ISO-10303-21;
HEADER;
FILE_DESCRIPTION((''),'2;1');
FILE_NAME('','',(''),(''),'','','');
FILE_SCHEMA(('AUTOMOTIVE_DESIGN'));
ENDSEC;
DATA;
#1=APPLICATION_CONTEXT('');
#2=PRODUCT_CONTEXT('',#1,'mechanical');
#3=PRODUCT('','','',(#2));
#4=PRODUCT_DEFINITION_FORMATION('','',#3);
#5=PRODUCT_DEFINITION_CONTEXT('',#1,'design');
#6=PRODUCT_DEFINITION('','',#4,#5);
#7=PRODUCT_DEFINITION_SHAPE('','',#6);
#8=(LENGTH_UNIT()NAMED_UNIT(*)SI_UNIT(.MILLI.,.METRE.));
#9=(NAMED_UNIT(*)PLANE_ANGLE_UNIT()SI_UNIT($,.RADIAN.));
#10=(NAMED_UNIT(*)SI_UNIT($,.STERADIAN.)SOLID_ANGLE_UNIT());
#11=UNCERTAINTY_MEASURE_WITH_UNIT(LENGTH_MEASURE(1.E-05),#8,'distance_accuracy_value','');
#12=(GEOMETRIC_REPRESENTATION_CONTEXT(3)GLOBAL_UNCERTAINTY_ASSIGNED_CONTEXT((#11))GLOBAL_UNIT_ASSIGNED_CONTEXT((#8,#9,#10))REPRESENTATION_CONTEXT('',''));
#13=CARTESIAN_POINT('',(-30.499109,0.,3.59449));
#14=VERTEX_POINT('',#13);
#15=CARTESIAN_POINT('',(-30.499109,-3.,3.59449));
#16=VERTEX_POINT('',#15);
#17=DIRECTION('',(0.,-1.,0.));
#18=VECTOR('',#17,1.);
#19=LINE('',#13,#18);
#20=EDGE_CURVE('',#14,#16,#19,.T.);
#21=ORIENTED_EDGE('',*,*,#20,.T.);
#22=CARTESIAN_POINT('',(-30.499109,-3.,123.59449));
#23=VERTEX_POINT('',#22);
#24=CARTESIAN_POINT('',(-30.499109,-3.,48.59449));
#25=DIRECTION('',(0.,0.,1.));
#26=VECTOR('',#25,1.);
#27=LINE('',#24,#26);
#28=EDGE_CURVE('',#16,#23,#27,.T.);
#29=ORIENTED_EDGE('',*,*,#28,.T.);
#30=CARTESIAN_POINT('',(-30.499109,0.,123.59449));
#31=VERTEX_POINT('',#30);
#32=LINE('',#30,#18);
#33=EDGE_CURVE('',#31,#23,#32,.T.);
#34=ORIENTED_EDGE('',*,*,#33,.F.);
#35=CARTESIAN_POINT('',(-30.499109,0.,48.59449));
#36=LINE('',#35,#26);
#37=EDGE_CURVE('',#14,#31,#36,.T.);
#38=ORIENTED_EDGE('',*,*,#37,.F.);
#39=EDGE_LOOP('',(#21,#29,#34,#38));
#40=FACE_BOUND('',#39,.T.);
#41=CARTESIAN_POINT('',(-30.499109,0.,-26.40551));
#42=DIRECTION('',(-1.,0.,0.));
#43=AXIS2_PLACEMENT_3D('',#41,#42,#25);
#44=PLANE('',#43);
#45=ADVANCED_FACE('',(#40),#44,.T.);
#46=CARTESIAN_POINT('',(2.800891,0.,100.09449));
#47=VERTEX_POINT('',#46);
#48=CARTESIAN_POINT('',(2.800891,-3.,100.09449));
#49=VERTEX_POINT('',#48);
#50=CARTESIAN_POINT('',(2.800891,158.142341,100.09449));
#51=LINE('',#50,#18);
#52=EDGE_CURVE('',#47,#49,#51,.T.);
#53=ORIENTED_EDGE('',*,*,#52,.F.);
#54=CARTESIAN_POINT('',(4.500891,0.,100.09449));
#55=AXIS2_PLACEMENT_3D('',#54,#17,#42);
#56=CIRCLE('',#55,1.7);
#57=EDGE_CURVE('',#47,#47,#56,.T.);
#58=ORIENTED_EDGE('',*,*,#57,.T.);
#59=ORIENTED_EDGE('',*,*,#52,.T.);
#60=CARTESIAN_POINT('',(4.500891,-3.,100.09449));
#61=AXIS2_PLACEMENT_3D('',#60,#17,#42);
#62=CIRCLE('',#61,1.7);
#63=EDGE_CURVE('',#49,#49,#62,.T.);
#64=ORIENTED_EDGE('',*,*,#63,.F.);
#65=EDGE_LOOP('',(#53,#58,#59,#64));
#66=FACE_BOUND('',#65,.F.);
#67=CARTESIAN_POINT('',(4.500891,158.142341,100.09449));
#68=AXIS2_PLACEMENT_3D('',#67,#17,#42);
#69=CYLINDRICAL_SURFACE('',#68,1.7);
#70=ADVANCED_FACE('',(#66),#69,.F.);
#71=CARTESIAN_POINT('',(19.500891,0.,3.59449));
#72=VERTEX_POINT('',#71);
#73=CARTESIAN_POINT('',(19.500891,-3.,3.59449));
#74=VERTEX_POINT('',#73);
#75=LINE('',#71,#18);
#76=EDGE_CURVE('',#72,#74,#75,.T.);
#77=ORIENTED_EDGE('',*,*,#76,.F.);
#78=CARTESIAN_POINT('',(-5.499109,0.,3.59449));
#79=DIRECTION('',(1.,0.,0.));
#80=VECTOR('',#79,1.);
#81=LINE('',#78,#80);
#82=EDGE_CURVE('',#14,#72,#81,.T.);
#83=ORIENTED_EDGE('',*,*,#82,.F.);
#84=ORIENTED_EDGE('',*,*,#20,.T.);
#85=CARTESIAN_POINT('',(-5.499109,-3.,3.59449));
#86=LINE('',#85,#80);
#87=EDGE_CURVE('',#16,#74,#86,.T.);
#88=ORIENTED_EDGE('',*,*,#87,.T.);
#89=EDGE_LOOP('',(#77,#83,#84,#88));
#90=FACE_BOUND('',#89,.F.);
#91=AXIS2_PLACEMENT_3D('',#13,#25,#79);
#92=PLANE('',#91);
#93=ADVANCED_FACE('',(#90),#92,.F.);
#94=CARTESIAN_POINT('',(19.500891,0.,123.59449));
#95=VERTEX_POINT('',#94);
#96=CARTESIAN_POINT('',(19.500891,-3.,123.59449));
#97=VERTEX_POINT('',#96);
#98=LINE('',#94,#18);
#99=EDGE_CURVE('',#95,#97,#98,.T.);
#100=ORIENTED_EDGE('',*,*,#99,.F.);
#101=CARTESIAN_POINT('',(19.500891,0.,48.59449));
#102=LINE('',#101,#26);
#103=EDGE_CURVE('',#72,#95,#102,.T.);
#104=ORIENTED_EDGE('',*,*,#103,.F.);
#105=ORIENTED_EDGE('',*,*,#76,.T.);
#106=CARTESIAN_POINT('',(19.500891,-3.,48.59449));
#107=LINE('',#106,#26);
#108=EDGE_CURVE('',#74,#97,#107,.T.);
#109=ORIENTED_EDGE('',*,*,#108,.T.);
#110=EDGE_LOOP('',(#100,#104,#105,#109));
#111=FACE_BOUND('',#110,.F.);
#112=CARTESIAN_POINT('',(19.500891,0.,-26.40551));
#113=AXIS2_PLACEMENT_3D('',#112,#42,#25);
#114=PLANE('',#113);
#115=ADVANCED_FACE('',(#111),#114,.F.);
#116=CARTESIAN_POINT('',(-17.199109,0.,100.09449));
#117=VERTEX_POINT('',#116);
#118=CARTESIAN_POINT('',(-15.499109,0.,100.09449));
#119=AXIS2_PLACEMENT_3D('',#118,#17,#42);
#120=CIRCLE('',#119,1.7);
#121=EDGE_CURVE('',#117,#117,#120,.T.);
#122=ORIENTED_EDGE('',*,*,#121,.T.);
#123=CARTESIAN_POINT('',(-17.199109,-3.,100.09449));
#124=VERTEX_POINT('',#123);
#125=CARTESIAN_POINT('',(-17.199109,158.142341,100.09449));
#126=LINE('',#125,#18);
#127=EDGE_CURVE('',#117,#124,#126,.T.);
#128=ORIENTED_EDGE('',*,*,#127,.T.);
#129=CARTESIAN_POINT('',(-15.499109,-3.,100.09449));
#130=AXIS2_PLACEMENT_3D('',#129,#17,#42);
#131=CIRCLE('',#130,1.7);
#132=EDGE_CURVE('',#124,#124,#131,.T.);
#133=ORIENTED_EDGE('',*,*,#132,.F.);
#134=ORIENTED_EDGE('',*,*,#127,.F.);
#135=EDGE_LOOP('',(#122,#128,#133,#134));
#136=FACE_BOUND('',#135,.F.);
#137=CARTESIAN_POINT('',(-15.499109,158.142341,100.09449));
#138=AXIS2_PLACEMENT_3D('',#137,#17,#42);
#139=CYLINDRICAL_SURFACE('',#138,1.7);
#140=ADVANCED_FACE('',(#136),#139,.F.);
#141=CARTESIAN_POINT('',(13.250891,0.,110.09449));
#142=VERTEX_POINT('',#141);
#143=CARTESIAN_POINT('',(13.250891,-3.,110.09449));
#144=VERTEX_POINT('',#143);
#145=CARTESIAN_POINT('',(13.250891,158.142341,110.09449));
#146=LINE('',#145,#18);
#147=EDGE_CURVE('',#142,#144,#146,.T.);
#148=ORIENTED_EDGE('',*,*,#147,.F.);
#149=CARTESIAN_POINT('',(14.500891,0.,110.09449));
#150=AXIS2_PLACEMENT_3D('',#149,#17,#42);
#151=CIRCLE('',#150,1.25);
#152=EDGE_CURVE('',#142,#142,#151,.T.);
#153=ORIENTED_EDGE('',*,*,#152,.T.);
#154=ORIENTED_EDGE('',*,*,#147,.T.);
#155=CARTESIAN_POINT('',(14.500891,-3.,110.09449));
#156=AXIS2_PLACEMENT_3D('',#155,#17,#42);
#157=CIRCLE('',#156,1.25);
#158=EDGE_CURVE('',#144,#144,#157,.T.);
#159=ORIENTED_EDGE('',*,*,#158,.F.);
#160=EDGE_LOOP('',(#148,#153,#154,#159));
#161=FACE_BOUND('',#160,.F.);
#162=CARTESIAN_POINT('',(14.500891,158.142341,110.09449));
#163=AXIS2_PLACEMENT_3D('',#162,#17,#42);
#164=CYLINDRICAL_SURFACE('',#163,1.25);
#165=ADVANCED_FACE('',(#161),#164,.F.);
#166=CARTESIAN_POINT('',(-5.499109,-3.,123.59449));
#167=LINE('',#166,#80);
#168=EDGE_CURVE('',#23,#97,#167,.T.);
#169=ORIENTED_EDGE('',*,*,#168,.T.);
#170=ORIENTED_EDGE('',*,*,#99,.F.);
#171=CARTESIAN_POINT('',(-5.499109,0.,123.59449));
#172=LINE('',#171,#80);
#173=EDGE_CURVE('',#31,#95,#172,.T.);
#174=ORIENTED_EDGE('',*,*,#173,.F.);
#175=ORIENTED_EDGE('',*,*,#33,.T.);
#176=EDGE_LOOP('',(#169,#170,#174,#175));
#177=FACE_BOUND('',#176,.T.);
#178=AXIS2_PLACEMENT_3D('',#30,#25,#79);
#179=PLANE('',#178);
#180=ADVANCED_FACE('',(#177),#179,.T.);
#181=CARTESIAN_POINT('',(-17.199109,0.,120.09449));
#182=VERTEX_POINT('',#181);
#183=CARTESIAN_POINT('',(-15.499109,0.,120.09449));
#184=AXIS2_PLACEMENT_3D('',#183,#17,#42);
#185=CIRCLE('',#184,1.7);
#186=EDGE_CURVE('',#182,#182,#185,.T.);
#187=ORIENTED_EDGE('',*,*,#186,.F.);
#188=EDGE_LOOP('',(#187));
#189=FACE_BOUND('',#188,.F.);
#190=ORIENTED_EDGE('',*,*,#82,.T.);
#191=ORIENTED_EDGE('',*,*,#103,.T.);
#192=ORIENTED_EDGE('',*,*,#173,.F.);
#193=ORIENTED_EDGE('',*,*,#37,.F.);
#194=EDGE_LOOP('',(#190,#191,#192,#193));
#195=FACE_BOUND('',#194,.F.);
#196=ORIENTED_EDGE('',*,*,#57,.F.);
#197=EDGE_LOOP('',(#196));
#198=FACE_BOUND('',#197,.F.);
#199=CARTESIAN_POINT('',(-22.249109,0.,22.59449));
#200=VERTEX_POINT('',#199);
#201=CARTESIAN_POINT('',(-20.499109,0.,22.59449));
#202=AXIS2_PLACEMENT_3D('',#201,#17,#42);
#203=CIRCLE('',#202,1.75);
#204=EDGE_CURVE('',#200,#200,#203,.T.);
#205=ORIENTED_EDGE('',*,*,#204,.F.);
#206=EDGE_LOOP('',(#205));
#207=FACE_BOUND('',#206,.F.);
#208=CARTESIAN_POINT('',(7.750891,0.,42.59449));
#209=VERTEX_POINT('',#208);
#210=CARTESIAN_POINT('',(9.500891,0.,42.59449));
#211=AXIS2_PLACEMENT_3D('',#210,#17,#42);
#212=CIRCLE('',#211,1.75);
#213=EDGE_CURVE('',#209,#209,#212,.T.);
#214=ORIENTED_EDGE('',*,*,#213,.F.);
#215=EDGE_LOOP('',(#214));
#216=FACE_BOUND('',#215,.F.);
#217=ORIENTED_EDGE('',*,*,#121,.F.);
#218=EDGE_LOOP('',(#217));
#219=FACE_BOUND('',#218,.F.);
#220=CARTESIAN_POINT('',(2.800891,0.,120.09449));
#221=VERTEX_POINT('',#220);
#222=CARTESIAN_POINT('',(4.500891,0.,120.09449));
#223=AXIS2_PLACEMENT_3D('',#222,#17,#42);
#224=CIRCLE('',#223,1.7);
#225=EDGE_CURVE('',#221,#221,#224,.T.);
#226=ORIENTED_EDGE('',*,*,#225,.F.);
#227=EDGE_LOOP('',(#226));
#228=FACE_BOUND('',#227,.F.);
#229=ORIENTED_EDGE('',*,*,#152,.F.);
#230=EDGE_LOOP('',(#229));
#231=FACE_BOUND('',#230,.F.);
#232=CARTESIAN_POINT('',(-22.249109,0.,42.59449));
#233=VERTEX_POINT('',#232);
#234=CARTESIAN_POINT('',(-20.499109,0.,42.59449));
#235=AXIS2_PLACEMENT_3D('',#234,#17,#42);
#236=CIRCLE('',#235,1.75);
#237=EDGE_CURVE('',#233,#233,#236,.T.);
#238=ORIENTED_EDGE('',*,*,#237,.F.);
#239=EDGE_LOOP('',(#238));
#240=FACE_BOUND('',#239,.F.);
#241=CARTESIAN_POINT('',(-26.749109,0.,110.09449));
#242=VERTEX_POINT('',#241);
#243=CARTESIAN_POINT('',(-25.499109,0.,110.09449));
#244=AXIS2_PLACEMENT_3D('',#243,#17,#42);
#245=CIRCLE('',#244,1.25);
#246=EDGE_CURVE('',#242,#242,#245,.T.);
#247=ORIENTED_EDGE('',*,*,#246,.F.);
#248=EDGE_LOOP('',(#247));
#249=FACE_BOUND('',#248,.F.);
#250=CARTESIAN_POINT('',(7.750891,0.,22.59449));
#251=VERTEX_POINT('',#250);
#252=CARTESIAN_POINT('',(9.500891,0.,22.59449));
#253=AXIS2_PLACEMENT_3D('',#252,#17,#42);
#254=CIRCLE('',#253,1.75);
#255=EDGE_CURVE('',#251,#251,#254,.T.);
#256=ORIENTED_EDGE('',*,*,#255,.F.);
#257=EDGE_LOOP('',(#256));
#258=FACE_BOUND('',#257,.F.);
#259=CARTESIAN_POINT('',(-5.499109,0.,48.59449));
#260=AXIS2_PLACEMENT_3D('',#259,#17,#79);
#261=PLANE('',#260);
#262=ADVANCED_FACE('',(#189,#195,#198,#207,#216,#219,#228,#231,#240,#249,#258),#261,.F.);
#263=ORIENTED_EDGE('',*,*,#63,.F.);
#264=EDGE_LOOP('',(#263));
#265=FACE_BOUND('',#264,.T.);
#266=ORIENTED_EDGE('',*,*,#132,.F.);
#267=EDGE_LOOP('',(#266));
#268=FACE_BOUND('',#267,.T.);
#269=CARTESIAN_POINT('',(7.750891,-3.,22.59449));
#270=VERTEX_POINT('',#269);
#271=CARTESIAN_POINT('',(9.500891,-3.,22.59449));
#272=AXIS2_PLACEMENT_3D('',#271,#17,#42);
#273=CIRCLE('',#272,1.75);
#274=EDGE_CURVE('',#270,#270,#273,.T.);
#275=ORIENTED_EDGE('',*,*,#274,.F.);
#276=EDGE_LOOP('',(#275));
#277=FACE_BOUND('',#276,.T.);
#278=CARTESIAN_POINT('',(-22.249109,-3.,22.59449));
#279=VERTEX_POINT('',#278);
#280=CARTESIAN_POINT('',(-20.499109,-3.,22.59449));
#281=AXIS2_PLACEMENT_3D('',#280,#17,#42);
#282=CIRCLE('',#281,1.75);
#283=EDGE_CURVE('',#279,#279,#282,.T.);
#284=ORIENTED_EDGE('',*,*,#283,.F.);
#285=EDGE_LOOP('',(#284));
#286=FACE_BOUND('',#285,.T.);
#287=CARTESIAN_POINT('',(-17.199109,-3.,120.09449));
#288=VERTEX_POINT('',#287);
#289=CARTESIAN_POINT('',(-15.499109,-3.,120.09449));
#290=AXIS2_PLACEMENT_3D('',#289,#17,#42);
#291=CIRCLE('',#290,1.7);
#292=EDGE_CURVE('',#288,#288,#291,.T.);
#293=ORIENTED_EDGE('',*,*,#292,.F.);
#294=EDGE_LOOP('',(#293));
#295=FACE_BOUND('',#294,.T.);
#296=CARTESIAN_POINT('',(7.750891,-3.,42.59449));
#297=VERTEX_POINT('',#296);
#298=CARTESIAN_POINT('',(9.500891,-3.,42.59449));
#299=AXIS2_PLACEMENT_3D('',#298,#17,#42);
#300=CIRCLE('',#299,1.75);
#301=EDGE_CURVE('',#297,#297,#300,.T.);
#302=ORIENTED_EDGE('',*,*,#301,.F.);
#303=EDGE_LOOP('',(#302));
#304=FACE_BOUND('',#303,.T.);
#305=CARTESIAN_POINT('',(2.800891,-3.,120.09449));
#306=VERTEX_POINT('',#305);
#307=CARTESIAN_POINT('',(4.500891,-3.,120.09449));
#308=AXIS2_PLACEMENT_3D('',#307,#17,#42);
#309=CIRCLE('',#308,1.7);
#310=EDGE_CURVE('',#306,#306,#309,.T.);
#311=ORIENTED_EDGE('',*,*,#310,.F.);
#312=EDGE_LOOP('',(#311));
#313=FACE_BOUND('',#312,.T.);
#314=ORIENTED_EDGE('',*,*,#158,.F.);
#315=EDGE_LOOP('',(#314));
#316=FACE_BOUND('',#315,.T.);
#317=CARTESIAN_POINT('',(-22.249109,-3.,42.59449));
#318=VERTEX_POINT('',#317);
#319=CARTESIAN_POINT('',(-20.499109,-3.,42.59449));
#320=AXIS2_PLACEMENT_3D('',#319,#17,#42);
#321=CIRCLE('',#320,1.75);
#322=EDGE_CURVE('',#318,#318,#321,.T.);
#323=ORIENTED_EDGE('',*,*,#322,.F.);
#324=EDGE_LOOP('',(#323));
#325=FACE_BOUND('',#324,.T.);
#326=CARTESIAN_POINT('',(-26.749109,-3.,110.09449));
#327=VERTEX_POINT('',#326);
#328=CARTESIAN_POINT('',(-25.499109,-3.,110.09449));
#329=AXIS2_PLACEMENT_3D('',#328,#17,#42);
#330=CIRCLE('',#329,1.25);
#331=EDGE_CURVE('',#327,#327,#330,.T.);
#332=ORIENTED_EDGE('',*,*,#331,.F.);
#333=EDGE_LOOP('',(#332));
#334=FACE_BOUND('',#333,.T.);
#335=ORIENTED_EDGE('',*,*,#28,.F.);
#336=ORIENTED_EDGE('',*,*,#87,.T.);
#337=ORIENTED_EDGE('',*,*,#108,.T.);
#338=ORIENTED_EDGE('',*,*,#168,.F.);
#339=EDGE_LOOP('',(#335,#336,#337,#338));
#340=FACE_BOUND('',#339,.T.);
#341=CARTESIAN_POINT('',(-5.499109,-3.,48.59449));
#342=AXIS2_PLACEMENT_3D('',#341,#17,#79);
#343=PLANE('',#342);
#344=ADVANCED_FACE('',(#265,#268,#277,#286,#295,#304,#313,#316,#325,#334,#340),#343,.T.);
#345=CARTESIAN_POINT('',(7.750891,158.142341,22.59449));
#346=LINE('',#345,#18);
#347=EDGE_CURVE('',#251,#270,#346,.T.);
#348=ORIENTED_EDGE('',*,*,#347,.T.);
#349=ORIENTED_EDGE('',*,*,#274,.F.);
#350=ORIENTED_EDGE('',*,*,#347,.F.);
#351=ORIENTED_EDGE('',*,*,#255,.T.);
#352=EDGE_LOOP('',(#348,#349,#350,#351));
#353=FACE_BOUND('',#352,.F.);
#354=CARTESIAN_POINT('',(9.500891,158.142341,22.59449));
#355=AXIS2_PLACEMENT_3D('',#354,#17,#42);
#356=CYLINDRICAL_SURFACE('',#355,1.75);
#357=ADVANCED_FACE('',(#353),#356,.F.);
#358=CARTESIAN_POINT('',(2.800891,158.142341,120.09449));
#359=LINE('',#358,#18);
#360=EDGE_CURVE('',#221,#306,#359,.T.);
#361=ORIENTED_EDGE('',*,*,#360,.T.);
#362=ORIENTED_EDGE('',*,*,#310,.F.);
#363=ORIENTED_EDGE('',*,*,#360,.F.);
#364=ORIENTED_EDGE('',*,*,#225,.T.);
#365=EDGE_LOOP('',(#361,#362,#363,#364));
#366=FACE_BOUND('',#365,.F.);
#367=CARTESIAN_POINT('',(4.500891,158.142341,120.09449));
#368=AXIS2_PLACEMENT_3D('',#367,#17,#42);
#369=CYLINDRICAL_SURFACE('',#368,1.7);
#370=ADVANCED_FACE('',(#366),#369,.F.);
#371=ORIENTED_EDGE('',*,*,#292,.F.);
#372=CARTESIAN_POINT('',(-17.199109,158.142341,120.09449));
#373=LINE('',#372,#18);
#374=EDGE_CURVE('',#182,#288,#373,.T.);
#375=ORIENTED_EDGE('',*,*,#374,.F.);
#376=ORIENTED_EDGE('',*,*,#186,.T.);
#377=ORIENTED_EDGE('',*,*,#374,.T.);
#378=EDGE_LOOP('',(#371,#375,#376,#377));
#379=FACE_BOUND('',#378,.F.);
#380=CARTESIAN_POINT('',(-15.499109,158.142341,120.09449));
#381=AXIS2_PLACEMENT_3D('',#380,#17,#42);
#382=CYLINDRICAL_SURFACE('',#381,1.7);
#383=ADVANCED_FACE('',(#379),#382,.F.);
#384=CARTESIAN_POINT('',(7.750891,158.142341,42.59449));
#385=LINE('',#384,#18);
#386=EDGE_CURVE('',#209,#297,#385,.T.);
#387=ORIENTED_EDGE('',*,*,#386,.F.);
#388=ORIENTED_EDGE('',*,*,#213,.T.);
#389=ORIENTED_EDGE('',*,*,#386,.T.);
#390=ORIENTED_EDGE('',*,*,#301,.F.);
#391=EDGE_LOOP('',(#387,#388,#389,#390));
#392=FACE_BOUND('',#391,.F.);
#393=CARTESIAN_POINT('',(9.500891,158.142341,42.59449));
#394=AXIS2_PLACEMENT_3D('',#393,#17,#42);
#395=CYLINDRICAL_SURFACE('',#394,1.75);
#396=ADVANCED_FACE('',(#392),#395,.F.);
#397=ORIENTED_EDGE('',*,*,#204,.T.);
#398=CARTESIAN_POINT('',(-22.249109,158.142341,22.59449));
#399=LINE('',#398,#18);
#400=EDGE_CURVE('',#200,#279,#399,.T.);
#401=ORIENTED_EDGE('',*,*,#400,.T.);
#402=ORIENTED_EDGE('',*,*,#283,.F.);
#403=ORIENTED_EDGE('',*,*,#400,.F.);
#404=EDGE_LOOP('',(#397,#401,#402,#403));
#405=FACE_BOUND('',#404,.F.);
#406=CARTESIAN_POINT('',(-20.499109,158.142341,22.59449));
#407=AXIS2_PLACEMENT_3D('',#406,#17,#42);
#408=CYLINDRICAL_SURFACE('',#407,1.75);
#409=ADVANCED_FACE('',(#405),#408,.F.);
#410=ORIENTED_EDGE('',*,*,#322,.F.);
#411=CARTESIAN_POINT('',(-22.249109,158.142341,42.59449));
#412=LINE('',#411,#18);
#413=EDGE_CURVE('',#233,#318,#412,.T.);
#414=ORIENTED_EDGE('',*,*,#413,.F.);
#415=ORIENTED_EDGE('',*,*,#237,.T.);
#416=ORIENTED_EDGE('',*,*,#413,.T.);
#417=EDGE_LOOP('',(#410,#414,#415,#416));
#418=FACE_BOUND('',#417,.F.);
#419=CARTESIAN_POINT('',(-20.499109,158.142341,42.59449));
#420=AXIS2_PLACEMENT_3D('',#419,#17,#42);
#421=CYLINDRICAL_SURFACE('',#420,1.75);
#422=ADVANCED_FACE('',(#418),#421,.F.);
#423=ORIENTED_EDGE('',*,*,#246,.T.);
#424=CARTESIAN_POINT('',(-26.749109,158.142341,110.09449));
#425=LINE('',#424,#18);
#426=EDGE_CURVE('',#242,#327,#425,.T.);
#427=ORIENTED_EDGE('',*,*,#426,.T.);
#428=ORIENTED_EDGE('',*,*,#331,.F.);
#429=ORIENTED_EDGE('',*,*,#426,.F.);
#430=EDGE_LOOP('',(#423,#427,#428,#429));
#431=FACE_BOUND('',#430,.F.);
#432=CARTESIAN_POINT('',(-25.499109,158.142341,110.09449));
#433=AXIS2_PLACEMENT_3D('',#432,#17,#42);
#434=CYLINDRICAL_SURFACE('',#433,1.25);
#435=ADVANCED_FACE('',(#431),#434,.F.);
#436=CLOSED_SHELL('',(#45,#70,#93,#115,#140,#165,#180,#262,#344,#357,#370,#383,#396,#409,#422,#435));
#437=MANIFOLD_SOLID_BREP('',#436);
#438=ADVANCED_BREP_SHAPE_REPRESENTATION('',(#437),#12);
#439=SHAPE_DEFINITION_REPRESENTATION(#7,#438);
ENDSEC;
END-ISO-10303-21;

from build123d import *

# Parameters (mm, degrees)
F0_W     = 50
F0_H     = 150
F1_DEPTH = 3
F2_D     = 3.4
F3_D     = 2.5
F4_D     = 3.5
F5_DEPTH = 30


with BuildPart() as f1:
    # F0 (on Front) → F1 (new body)
    with BuildSketch(Plane.XZ):
        with Locations((-5.4991092533, 48.5944904387)):
            Rectangle(F0_W, F0_H)
    extrude(amount=F1_DEPTH)

    # F2 (through all)
    with Locations(Plane(origin=(0, 0, 0), x_dir=(1, 0, 0), z_dir=(0, 1, 0))):
        with Locations((4.5008907467, -120.0944904387), (-15.4991092533, -120.0944904387), (-15.4991092533, -100.0944904387), (4.5008907467, -100.0944904387)):
            Hole(F2_D / 2)

    # F3 (through all)
    with Locations(Plane(origin=(0, 0, 0), x_dir=(1, 0, 0), z_dir=(0, 1, 0))):
        with Locations((14.5008907467, -110.0944904387), (-25.4991092533, -110.0944904387)):
            Hole(F3_D / 2)

    # F4 (through all)
    with Locations(Plane(origin=(0, 0, 0), x_dir=(1, 0, 0), z_dir=(0, 1, 0))):
        with Locations((-20.4991092533, -42.5944904387), (-20.4991092533, -22.5944904387), (9.5008907467, -22.5944904387), (9.5008907467, -42.5944904387)):
            Hole(F4_D / 2)

    # F5 (cut): a face of the model
    f5_faces = [f1.faces().sort_by_distance(p)[0] for p in [
        (-5.4991092533, -1.5, -26.4055095613),
    ]]
    extrude(f5_faces, amount=-F5_DEPTH, mode=Mode.SUBTRACT)


solid = f1.part
